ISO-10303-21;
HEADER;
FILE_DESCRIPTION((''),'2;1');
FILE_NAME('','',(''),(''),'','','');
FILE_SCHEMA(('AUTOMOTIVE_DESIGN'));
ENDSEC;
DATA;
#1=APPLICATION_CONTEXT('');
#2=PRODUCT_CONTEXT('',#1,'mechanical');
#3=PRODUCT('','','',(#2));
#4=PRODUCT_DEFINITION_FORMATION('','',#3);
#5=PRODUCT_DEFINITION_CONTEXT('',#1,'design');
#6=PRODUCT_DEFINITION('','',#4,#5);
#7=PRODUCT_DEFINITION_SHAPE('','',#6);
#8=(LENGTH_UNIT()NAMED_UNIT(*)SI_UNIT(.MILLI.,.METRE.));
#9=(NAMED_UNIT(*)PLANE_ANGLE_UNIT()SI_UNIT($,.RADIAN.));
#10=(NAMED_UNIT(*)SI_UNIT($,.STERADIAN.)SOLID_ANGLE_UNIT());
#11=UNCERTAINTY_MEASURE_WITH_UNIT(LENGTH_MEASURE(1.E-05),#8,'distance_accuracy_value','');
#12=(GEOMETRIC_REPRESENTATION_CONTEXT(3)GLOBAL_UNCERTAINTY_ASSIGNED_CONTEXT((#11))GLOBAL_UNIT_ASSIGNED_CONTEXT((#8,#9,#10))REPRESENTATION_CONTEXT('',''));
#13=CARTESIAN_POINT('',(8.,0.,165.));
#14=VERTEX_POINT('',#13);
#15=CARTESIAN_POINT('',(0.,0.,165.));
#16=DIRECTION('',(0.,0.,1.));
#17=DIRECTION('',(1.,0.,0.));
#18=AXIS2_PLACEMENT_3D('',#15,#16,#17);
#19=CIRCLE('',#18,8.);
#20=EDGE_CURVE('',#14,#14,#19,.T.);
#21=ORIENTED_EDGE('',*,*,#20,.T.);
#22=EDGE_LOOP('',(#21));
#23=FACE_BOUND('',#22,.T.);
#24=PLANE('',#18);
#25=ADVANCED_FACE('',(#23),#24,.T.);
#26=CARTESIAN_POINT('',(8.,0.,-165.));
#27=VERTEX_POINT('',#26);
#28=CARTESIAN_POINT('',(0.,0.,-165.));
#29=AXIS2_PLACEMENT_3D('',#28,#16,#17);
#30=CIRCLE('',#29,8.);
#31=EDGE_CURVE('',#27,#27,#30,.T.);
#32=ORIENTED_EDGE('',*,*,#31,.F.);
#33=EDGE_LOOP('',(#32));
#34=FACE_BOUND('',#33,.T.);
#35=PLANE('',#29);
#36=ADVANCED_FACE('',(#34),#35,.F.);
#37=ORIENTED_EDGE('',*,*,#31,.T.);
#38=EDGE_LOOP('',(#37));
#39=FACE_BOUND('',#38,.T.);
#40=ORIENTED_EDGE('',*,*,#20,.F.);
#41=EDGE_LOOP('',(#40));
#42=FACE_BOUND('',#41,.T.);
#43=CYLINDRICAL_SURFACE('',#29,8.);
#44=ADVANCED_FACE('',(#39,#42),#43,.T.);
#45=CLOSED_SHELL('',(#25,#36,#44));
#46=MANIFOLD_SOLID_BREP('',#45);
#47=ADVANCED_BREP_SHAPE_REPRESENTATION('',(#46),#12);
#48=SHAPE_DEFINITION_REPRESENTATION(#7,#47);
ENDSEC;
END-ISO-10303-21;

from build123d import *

# Parameters (mm, degrees)
EXTRUDE_3_DEPTH      = 165
EXTRUDE_3_DEPTH_BACK = 165
SKETCH_1_R           = 8


with BuildPart() as part:
    # Эскиз1 → Бобышка-Вытянуть3 (new, two sides: drawn at the far end of the back side and taken through both)
    with BuildSketch(Plane.XY.offset(-EXTRUDE_3_DEPTH_BACK)):
        Circle(SKETCH_1_R)
    extrude(amount=EXTRUDE_3_DEPTH + EXTRUDE_3_DEPTH_BACK)


solid = part.part
